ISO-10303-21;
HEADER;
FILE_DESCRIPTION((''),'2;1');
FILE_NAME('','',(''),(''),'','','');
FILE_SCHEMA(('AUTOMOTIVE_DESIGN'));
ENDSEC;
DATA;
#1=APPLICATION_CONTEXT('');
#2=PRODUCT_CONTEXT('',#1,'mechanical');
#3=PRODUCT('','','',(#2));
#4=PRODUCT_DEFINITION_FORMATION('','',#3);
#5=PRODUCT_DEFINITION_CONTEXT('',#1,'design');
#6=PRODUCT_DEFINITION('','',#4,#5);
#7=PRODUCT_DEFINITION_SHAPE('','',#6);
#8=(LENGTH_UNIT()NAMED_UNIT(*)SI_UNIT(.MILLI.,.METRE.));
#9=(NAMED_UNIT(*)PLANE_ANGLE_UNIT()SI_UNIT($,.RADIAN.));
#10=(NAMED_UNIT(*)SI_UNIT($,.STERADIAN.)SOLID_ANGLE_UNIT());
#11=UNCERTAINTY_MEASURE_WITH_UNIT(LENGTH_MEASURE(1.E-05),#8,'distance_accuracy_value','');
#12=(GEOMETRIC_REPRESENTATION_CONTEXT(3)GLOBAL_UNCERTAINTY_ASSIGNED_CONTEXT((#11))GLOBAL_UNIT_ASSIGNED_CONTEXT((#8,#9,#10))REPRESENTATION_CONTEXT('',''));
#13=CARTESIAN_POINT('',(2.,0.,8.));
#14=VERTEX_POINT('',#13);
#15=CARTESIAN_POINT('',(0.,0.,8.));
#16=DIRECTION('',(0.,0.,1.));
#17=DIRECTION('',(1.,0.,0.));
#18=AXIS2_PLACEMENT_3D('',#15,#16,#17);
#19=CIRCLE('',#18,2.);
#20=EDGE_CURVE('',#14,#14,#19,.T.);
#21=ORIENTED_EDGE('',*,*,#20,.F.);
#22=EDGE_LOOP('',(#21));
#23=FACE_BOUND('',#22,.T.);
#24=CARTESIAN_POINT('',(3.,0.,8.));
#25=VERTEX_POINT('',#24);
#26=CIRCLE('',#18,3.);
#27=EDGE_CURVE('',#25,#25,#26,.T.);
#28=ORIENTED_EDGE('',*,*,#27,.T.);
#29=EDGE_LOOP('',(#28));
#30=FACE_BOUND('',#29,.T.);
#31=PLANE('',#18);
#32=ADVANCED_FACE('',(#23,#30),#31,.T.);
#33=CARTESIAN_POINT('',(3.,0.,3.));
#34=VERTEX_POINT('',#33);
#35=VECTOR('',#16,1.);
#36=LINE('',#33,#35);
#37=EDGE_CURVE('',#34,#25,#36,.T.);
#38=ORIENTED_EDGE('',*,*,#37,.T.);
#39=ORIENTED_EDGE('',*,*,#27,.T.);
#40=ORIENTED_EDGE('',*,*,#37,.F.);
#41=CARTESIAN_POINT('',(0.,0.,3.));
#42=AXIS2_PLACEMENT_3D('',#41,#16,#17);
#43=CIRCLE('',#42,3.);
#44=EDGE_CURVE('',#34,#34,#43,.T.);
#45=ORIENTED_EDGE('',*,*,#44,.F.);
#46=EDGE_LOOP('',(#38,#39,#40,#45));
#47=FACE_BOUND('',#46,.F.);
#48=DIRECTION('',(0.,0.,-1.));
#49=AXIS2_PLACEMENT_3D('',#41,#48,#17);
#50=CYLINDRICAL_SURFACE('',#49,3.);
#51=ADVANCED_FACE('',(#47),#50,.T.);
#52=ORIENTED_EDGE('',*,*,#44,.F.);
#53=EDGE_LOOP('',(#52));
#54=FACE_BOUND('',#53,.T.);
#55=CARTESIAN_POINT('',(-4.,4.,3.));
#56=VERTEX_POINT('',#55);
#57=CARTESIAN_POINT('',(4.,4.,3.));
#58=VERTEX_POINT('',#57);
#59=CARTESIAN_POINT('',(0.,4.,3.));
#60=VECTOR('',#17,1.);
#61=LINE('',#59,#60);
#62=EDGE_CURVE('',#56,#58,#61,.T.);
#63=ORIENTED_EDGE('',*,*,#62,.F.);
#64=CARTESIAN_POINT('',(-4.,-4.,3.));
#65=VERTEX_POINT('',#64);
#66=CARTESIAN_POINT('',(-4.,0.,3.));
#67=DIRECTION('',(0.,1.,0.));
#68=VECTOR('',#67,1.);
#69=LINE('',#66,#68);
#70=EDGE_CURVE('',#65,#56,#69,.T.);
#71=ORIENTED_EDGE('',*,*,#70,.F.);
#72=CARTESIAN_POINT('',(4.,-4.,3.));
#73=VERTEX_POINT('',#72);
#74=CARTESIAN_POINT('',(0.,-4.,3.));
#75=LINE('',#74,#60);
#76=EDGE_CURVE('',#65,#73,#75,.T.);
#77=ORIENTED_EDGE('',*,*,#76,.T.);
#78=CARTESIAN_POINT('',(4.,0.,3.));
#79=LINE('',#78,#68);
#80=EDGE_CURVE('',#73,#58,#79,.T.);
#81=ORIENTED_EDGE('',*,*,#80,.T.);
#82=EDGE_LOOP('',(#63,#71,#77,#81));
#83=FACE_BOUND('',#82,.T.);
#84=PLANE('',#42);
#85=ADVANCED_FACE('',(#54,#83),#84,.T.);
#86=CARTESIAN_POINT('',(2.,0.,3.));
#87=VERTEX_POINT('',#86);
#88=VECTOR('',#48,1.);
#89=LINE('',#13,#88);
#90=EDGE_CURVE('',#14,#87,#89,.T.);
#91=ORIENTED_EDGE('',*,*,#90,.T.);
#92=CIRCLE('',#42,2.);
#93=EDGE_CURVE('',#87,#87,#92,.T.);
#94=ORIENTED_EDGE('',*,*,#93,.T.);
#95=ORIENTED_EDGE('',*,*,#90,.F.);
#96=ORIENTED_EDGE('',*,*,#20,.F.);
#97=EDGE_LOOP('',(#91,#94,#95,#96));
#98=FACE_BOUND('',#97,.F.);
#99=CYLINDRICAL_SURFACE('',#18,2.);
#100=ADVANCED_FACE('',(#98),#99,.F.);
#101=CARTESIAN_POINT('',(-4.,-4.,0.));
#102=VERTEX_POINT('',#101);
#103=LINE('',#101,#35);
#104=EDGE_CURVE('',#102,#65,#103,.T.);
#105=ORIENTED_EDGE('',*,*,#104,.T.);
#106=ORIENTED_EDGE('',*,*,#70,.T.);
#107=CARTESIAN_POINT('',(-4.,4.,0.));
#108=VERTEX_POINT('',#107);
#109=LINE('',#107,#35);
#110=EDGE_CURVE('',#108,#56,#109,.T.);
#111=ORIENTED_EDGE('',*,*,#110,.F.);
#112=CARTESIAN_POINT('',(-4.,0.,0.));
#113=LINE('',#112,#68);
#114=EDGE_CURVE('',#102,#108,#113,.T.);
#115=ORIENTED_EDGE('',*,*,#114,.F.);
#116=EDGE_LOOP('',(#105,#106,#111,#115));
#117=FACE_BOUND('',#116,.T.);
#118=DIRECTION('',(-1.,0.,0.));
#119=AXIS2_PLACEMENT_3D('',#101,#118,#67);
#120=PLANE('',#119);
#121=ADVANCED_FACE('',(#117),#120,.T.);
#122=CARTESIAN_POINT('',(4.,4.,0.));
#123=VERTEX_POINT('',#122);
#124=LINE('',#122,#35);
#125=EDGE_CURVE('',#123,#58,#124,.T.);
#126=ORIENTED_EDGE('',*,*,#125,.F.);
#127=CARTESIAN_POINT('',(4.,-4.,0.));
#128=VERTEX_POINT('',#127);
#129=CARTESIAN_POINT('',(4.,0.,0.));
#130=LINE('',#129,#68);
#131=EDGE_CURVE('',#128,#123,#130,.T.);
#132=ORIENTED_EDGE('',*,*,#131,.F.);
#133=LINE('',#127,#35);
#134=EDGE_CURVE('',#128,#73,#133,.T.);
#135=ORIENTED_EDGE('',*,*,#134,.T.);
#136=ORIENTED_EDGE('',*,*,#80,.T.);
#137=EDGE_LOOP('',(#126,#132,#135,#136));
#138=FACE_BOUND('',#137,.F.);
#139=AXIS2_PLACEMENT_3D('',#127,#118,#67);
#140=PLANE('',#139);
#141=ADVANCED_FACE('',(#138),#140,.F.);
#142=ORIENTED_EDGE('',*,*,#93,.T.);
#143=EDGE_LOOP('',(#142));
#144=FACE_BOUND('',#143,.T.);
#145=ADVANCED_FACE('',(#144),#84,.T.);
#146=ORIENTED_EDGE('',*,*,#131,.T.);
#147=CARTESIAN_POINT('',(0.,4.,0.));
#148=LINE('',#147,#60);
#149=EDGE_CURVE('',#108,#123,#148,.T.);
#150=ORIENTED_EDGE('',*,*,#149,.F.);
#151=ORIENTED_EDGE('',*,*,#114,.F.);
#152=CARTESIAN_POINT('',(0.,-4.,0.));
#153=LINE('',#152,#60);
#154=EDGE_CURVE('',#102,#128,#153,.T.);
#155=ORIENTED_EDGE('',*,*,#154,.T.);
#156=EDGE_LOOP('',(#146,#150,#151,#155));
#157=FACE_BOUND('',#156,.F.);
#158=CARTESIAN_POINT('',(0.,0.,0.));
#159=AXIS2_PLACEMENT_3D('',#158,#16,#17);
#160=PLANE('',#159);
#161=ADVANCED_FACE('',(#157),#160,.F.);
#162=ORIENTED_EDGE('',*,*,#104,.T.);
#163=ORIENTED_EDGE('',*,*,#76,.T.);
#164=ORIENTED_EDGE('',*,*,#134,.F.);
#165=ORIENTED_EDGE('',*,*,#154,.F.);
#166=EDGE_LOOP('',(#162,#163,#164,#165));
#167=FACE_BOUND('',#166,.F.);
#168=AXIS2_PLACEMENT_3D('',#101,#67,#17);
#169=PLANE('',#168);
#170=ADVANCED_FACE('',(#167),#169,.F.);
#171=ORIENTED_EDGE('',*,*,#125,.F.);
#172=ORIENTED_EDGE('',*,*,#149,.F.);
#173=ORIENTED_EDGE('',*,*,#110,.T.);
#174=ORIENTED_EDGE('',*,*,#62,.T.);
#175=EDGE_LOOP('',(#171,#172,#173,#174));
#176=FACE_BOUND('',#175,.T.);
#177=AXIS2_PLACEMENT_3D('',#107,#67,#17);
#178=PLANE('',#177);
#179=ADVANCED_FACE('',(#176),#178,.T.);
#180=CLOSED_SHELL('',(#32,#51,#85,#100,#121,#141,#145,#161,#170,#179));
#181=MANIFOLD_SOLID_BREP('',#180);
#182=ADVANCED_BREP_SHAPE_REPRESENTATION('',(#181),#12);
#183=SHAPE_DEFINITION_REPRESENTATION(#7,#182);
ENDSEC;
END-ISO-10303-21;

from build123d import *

# Parameters (mm, degrees)
F0_W     = 8
F0_H     = 8
F1_DEPTH = 3
F2_R     = 3
F3_DEPTH = 5
F4_R     = 2
F5_DEPTH = 5


with BuildPart() as f1:
    # F0 (on Top) → F1 (new body)
    with BuildSketch(Plane.XY):
        Rectangle(F0_W, F0_H)
    extrude(amount=F1_DEPTH)

    # F2 (on face) → F3 (join)
    with BuildSketch(Plane.XY.offset(3)):
        Circle(F2_R)
    extrude(amount=F3_DEPTH)

    # F4 (on face) → F5 (cut)
    with BuildSketch(Plane.XY.offset(8)):
        Circle(F4_R)
    extrude(amount=-F5_DEPTH, mode=Mode.SUBTRACT)


solid = f1.part
